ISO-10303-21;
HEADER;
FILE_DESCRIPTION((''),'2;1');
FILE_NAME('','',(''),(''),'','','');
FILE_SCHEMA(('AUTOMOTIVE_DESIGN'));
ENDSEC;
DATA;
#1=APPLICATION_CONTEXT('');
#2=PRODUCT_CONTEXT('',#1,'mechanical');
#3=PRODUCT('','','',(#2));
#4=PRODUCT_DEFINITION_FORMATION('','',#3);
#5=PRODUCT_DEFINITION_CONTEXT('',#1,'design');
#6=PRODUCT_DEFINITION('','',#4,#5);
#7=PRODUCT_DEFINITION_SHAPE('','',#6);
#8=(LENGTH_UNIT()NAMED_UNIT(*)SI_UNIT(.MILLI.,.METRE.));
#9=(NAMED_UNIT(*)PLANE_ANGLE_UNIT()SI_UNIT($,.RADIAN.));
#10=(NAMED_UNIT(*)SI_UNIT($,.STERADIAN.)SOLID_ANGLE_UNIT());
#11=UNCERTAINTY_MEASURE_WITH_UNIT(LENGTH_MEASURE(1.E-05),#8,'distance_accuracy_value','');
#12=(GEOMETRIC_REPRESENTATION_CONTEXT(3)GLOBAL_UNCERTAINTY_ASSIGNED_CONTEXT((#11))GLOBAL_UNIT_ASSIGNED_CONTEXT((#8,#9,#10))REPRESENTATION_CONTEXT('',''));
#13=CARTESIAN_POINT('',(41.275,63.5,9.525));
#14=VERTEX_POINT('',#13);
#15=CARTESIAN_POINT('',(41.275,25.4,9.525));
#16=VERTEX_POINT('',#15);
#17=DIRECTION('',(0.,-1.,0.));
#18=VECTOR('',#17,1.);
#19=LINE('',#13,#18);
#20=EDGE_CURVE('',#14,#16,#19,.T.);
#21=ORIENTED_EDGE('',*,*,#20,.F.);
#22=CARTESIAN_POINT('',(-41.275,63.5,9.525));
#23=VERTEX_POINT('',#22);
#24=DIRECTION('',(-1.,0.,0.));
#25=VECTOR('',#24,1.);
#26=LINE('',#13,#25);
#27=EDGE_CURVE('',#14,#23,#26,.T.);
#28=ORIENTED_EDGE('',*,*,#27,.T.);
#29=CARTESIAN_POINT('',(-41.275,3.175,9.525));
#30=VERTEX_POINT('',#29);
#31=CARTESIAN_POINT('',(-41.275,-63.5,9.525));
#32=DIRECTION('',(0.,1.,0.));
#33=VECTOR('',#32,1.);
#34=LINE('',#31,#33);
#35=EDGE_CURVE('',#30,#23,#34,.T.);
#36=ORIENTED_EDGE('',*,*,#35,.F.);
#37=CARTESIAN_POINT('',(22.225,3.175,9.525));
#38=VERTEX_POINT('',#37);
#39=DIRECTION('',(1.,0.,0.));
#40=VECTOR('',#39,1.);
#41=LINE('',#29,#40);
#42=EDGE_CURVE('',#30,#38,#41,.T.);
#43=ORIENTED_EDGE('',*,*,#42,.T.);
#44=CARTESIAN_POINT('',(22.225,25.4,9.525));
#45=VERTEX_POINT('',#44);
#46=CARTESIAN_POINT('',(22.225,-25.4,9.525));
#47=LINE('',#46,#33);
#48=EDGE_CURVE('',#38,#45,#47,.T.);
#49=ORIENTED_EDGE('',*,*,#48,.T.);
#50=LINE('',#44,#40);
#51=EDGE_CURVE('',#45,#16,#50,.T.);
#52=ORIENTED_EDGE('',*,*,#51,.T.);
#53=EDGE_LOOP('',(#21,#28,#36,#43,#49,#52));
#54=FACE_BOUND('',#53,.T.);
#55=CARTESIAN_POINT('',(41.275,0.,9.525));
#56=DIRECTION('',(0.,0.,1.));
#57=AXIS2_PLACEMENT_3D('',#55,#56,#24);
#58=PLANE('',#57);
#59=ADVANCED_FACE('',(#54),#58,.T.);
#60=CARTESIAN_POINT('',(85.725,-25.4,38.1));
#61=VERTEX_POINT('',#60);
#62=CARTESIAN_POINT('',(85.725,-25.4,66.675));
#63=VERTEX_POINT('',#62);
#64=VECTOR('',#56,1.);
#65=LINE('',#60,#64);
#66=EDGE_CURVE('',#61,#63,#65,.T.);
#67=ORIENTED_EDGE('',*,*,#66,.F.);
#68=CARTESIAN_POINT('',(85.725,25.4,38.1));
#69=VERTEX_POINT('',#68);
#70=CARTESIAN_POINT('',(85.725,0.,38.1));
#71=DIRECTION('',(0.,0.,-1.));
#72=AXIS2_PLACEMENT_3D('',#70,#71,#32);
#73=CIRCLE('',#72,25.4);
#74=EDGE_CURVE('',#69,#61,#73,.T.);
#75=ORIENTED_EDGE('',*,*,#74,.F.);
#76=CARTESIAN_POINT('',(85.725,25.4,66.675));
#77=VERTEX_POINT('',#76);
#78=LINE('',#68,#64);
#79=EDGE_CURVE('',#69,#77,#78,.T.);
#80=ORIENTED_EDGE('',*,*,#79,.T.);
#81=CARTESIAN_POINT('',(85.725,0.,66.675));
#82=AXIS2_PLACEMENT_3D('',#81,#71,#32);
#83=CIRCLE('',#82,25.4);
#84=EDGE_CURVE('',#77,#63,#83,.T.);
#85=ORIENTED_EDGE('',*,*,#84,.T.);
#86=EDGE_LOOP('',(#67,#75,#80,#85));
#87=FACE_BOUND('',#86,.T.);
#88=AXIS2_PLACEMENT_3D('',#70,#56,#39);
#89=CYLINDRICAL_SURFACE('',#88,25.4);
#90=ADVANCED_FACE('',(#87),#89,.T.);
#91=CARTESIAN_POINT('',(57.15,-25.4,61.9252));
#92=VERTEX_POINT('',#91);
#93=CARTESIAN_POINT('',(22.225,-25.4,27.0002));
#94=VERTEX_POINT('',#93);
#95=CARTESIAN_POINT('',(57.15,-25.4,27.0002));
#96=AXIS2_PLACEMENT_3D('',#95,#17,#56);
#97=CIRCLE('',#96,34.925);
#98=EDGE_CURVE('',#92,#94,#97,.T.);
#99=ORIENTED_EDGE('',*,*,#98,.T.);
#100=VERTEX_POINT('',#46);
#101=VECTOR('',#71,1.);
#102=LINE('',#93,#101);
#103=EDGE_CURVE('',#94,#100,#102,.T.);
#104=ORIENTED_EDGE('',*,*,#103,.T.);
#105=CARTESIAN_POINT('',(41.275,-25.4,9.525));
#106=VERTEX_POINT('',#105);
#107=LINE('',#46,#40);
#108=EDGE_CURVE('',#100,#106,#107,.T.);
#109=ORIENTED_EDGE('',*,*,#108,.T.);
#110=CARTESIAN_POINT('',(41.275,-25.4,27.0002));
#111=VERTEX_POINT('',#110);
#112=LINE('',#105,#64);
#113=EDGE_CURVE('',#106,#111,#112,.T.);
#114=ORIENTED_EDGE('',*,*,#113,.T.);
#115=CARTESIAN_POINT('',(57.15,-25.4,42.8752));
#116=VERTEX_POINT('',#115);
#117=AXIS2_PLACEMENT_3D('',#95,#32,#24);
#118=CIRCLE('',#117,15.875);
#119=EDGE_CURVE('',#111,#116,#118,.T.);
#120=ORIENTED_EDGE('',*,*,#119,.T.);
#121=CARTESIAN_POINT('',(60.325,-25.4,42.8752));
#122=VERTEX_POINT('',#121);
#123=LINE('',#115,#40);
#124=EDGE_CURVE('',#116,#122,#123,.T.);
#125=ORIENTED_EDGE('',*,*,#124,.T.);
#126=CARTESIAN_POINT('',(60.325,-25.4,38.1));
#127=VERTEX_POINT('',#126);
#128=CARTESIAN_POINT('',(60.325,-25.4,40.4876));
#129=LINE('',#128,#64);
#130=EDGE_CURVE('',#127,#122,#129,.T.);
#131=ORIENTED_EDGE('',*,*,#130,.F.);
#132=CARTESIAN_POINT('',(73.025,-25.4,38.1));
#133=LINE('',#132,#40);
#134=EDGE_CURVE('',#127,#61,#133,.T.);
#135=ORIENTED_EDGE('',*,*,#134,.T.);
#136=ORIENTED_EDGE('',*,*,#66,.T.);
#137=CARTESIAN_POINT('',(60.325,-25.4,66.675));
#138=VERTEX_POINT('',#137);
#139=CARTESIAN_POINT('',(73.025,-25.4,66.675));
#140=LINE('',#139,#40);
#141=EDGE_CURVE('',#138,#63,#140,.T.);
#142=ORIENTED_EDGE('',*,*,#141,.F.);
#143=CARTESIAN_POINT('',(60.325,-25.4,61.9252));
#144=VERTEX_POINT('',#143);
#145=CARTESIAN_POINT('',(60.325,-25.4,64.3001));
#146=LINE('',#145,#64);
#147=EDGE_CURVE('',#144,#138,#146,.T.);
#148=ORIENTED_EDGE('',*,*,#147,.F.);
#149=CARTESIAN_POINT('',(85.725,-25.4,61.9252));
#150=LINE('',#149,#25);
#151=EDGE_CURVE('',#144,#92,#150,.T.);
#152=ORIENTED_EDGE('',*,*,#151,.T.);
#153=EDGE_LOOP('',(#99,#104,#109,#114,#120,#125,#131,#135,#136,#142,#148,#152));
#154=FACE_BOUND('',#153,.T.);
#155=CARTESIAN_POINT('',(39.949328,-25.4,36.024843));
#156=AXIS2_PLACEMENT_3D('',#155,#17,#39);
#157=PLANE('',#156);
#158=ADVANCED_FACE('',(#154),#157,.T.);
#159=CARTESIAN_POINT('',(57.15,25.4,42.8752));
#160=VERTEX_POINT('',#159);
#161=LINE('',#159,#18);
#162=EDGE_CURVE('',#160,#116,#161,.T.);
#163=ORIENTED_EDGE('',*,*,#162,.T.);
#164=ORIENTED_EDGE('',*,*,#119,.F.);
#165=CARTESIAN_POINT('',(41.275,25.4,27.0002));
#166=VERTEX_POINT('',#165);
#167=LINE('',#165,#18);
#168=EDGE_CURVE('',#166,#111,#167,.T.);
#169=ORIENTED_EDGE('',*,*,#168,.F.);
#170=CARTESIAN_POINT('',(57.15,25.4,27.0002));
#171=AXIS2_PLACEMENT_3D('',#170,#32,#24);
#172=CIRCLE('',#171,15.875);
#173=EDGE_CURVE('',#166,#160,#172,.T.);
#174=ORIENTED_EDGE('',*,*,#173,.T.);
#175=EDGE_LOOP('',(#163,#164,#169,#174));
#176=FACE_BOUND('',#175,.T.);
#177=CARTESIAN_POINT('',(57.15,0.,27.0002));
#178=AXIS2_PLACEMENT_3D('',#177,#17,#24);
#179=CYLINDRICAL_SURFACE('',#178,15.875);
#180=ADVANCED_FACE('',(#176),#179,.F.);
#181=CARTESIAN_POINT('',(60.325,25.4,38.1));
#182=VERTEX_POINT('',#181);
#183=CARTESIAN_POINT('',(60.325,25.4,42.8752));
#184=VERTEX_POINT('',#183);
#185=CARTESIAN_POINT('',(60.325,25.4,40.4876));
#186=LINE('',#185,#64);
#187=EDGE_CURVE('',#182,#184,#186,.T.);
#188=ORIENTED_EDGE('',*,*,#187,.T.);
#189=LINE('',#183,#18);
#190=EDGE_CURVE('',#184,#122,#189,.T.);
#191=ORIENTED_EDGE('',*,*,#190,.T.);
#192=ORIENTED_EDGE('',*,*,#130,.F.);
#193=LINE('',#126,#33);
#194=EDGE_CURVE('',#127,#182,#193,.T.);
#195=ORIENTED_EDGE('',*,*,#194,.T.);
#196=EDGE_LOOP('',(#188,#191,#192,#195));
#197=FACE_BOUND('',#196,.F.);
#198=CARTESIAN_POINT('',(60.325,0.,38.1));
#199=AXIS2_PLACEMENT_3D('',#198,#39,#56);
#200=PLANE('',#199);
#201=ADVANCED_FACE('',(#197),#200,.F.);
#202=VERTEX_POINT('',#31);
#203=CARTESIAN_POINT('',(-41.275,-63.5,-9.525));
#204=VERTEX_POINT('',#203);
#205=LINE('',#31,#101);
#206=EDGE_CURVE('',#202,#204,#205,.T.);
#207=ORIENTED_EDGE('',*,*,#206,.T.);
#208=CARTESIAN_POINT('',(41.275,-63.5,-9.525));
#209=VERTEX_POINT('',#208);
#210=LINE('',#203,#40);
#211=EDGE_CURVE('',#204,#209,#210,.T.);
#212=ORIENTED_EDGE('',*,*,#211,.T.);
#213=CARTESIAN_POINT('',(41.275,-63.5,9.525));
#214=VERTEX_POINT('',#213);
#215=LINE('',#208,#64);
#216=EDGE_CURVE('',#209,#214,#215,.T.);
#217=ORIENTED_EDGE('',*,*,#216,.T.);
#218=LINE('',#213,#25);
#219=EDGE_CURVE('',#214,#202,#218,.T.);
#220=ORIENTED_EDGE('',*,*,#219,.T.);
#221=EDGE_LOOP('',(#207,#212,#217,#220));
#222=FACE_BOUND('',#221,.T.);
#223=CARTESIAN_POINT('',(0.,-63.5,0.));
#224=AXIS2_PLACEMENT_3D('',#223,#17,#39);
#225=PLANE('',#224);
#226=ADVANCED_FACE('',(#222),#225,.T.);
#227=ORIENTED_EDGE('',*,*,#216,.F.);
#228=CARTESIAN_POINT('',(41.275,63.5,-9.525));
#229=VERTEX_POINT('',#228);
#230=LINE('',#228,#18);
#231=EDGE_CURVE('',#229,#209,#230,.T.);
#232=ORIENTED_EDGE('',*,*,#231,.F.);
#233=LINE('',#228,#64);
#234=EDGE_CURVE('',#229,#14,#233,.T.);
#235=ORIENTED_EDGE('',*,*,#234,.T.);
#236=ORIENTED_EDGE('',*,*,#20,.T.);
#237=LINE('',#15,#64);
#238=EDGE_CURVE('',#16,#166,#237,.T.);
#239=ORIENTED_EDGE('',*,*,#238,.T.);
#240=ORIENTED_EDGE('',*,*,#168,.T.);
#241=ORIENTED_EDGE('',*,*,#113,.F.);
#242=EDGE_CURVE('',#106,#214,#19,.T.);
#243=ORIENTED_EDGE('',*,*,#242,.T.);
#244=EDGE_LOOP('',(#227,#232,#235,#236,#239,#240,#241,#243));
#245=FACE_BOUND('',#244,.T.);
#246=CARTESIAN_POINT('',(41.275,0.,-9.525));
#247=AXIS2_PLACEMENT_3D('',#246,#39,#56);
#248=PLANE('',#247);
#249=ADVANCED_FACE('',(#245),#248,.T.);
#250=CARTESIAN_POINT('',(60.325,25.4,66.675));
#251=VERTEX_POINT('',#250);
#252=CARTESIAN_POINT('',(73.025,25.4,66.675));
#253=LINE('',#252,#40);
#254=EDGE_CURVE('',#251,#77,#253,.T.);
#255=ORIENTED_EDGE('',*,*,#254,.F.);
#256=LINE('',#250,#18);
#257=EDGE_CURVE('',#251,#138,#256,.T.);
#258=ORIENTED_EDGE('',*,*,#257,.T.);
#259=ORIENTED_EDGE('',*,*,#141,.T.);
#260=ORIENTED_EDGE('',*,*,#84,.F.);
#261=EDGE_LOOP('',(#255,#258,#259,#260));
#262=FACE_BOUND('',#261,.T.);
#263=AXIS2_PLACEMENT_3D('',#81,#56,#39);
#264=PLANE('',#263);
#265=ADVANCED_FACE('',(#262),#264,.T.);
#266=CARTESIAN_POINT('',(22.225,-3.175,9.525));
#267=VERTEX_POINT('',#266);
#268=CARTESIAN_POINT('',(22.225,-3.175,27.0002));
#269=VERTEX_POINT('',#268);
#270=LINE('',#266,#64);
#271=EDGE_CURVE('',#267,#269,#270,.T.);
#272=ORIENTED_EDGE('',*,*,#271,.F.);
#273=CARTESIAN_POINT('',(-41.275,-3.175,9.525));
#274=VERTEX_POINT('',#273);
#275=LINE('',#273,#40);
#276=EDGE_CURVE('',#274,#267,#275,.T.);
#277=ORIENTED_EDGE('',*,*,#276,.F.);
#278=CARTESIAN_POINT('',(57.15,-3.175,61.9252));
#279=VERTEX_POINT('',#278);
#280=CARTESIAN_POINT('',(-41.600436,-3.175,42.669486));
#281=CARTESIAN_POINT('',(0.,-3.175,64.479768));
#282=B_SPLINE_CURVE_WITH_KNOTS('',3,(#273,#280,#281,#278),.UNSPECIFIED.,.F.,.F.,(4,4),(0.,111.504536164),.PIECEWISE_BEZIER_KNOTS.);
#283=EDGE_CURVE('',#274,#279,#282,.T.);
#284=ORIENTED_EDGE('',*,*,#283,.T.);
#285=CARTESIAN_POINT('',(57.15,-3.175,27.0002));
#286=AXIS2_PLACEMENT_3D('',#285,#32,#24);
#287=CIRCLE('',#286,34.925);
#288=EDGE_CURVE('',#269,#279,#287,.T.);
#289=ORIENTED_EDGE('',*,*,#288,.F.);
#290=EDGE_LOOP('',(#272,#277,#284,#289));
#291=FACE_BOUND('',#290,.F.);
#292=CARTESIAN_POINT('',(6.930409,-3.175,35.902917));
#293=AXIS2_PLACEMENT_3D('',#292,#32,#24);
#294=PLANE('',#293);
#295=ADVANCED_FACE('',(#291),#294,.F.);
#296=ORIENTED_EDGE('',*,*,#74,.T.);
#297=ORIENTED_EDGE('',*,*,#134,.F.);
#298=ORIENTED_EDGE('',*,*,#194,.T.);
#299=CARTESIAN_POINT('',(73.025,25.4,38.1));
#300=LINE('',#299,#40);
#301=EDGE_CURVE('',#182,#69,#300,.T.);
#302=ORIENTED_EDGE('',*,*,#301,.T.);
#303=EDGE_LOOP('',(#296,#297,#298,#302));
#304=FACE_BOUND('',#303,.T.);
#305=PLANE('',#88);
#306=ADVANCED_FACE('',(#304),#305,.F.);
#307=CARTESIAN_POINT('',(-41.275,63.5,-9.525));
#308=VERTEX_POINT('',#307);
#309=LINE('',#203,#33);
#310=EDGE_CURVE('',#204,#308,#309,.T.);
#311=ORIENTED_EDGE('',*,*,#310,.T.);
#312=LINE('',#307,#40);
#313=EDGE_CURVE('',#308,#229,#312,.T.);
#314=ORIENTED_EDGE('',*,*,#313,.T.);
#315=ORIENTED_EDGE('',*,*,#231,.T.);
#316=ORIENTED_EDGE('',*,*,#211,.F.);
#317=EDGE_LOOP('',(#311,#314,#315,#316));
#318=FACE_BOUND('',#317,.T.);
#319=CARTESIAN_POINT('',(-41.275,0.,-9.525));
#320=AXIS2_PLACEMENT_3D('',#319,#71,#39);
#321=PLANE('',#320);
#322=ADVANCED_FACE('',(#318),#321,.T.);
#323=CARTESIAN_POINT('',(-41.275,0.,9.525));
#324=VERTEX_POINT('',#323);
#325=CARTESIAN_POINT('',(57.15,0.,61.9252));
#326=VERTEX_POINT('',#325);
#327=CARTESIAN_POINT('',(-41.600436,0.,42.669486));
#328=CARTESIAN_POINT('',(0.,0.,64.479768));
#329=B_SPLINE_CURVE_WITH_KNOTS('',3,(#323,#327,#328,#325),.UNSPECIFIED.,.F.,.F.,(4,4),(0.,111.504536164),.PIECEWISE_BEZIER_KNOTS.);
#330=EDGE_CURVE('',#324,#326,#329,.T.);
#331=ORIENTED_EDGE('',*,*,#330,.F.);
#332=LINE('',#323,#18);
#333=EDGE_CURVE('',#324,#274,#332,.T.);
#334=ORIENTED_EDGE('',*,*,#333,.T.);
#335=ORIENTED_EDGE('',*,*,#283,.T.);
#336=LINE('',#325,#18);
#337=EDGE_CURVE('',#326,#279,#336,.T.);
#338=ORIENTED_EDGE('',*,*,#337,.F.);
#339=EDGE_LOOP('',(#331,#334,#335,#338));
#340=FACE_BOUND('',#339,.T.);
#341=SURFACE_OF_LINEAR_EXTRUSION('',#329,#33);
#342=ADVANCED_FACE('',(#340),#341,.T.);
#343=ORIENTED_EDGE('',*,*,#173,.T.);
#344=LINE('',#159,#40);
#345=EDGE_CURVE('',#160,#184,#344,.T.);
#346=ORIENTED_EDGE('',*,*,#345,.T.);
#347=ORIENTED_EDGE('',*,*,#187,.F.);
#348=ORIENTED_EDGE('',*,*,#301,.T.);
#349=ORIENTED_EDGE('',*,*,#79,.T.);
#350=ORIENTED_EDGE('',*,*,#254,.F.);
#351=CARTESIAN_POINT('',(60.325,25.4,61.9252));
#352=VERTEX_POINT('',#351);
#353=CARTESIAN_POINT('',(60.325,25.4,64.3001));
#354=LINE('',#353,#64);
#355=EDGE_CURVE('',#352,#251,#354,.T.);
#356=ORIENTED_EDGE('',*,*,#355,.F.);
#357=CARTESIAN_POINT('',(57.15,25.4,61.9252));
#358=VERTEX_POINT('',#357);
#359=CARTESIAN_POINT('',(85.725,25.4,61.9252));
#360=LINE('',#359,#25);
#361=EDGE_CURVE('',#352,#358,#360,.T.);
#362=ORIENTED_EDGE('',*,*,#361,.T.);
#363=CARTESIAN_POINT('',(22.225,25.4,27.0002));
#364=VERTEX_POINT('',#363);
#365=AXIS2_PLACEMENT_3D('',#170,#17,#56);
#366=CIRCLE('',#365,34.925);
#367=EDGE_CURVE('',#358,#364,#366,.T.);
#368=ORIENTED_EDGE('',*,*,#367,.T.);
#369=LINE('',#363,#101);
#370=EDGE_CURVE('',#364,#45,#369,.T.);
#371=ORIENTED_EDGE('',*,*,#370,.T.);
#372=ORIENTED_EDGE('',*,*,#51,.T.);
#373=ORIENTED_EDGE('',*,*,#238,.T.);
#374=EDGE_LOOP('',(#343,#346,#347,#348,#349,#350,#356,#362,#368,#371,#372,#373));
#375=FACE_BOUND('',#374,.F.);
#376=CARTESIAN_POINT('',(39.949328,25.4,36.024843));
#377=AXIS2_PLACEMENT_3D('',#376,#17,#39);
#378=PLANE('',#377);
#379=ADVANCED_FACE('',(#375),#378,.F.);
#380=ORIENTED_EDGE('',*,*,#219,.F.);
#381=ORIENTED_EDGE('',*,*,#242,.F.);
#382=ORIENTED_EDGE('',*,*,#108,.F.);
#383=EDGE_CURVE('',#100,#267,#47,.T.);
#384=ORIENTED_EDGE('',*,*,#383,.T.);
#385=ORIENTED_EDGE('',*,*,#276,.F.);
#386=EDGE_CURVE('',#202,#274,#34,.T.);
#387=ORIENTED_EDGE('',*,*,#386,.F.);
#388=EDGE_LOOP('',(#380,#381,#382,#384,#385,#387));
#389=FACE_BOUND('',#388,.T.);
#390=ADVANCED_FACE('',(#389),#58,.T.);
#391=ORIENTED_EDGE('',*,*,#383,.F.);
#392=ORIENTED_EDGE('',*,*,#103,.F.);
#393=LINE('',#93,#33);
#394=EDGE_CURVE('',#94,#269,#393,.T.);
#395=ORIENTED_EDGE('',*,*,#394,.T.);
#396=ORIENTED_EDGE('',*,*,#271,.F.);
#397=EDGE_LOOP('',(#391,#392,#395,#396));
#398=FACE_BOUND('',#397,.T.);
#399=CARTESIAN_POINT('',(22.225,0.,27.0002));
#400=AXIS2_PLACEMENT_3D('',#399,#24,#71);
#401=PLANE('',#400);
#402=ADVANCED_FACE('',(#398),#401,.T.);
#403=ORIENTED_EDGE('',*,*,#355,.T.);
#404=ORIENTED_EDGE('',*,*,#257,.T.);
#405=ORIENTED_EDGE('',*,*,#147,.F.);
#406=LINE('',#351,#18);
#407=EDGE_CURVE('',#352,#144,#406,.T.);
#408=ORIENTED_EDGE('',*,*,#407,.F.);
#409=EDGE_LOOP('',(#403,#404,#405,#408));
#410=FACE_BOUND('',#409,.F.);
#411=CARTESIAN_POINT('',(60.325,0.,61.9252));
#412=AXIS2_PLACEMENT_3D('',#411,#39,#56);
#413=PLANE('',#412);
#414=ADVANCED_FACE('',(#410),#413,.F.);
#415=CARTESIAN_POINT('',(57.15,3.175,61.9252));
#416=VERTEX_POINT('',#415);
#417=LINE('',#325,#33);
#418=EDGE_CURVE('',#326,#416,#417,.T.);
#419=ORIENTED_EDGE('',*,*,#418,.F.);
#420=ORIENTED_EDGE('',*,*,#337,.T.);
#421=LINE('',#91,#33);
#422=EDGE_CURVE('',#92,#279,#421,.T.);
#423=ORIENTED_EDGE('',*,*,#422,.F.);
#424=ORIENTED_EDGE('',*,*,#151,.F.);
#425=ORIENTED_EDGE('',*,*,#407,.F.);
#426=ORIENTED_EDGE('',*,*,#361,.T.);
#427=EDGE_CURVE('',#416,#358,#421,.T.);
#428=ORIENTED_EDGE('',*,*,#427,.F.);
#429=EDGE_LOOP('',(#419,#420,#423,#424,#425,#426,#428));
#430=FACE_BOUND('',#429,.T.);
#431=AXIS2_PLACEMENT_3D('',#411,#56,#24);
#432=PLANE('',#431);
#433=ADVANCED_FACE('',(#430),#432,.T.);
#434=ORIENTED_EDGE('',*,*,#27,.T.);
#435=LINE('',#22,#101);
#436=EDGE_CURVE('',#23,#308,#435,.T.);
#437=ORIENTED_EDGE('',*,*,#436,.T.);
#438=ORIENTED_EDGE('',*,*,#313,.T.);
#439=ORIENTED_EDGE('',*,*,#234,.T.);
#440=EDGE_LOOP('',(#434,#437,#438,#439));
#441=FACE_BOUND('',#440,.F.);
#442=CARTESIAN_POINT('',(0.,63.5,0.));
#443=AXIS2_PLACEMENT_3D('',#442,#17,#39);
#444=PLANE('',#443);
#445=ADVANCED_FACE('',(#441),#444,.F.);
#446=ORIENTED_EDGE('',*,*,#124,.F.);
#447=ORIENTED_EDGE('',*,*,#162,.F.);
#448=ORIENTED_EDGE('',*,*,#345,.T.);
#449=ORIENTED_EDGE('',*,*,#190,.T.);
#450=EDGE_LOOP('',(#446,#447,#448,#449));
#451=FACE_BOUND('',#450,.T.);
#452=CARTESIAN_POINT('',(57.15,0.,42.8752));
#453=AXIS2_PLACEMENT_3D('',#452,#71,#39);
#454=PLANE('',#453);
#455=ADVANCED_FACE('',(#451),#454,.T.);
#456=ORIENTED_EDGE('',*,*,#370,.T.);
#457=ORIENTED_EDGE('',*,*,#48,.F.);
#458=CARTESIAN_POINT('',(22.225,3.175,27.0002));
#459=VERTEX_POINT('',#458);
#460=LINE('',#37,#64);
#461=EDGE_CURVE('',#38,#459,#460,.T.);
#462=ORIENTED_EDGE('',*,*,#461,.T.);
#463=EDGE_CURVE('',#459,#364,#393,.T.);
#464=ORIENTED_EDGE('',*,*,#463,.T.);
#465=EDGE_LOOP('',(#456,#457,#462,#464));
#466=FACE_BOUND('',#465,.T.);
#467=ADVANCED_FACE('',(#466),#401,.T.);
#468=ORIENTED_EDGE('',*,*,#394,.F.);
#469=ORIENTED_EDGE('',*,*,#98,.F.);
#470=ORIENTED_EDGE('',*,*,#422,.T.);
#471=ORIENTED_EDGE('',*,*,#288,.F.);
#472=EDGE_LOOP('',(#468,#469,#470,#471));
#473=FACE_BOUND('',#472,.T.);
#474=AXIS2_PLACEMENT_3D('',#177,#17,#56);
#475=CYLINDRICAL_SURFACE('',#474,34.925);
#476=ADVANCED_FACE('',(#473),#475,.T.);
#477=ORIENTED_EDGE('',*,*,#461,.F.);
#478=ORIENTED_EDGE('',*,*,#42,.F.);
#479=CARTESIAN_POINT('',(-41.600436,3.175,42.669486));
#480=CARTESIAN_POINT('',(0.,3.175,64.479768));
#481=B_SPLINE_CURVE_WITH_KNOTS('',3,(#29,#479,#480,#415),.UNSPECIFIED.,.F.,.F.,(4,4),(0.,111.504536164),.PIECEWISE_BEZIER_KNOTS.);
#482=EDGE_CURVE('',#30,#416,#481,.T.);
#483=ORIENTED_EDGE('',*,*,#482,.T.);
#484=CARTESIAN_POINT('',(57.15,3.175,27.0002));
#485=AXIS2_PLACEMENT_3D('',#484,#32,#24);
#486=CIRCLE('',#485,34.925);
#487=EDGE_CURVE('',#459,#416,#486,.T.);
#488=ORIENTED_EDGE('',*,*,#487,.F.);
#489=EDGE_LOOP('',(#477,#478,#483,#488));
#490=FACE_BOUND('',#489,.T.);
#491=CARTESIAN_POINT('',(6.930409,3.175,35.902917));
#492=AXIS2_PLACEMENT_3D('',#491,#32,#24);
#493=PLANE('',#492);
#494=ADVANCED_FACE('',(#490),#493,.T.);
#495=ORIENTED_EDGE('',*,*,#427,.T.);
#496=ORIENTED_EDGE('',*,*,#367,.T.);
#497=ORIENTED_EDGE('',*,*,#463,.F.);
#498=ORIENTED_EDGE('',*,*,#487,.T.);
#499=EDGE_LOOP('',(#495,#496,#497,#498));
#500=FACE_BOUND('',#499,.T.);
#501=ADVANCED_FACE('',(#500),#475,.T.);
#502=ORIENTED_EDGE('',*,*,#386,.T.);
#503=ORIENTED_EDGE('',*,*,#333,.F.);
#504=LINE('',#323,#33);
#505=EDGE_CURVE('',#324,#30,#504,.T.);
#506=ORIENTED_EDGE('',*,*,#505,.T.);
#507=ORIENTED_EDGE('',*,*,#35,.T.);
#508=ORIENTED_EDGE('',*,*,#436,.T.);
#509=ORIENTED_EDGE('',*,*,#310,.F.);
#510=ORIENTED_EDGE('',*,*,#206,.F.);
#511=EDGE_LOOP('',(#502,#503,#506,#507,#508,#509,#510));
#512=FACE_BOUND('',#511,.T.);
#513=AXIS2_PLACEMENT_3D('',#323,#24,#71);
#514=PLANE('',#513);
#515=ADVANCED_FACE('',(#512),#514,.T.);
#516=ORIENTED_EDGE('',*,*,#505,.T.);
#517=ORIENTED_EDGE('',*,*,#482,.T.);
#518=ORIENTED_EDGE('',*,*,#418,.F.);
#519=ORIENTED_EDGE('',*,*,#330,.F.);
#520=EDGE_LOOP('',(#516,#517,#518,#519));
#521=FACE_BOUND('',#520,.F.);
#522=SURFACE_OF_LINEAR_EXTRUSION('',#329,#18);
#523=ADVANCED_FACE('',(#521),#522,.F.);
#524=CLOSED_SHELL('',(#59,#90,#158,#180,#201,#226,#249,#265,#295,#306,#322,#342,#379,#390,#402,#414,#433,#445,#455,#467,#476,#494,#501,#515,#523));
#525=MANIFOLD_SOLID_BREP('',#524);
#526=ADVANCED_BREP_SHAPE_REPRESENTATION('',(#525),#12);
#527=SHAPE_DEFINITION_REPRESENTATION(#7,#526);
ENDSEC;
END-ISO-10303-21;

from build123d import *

# Parameters (mm, degrees)
F1_DEPTH = 63.5
F0_W     = 25.4
F0_H     = 19.05
F0_H_2   = 4.7498
F0_H_3   = 4.7752
F2_DEPTH = 25.4
F3_DEPTH = 3.175


with BuildPart() as f1:
    # F0 (on Front) → F1 (new body, symmetric)
    with BuildSketch(Plane.XZ):
        Polygon((-41.275, -9.525), (41.275, -9.525), (41.275, 9.525), (22.225, 9.525), (-41.275, 9.525), align=None)
    extrude(amount=F1_DEPTH, both=True)

    # F0 (on Front) → F2 (join, symmetric)
    with BuildSketch(Plane.XZ):
        with BuildLine():
            Line((22.225, 9.525), (41.275, 9.525))
            Line((41.275, 9.525), (41.275, 27.0002))
            ThreePointArc((41.275, 27.0002), (45.9246798487, 38.2255201513), (57.15, 42.8752))
            Line((57.15, 42.8752), (60.325, 42.8752))
            Line((60.325, 42.8752), (60.325, 61.9252))
            Line((60.325, 61.9252), (57.15, 61.9252))
            ThreePointArc((57.15, 61.9252), (32.4542956671, 51.6959043329), (22.225, 27.0002))
            Line((22.225, 27.0002), (22.225, 9.525))
        make_face()
        with Locations((73.025, 52.4002)):
            Rectangle(F0_W, F0_H)
        with Locations((73.025, 64.3001)):
            Rectangle(F0_W, F0_H_2)
        with Locations((73.025, 40.4876)):
            Rectangle(F0_W, F0_H_3)
    extrude(amount=F2_DEPTH, both=True)

    # F0 (on Front) → F3 (join, symmetric)
    with BuildSketch(Plane.XZ):
        with BuildLine():
            add(Edge.make_bspline(
                [(-41.275, 9.525), (-41.6004359722, 42.6694862545), (0, 64.4797682762), (57.15, 61.9252)],
                knots=[0, 0, 0, 0, 111.5045361635, 111.5045361635, 111.5045361635, 111.5045361635], degree=3))
            Line((-41.275, 9.525), (22.225, 9.525))
            Line((22.225, 9.525), (22.225, 27.0002))
            ThreePointArc((22.225, 27.0002), (32.4542956671, 51.6959043329), (57.15, 61.9252))
        make_face()
    extrude(amount=F3_DEPTH, both=True)

    # F0 (on Front) → F4 (revolve)
    with BuildSketch(Plane.XZ):
        Polygon((85.725, 66.675), (85.725, 61.9252), (85.725, 42.8752), (85.725, 38.1), (111.125, 38.1), (111.125, 66.675), align=None)
    revolve(axis=Axis((85.725, 0, 52.3875), (0, 0, 1)))


solid = f1.part
